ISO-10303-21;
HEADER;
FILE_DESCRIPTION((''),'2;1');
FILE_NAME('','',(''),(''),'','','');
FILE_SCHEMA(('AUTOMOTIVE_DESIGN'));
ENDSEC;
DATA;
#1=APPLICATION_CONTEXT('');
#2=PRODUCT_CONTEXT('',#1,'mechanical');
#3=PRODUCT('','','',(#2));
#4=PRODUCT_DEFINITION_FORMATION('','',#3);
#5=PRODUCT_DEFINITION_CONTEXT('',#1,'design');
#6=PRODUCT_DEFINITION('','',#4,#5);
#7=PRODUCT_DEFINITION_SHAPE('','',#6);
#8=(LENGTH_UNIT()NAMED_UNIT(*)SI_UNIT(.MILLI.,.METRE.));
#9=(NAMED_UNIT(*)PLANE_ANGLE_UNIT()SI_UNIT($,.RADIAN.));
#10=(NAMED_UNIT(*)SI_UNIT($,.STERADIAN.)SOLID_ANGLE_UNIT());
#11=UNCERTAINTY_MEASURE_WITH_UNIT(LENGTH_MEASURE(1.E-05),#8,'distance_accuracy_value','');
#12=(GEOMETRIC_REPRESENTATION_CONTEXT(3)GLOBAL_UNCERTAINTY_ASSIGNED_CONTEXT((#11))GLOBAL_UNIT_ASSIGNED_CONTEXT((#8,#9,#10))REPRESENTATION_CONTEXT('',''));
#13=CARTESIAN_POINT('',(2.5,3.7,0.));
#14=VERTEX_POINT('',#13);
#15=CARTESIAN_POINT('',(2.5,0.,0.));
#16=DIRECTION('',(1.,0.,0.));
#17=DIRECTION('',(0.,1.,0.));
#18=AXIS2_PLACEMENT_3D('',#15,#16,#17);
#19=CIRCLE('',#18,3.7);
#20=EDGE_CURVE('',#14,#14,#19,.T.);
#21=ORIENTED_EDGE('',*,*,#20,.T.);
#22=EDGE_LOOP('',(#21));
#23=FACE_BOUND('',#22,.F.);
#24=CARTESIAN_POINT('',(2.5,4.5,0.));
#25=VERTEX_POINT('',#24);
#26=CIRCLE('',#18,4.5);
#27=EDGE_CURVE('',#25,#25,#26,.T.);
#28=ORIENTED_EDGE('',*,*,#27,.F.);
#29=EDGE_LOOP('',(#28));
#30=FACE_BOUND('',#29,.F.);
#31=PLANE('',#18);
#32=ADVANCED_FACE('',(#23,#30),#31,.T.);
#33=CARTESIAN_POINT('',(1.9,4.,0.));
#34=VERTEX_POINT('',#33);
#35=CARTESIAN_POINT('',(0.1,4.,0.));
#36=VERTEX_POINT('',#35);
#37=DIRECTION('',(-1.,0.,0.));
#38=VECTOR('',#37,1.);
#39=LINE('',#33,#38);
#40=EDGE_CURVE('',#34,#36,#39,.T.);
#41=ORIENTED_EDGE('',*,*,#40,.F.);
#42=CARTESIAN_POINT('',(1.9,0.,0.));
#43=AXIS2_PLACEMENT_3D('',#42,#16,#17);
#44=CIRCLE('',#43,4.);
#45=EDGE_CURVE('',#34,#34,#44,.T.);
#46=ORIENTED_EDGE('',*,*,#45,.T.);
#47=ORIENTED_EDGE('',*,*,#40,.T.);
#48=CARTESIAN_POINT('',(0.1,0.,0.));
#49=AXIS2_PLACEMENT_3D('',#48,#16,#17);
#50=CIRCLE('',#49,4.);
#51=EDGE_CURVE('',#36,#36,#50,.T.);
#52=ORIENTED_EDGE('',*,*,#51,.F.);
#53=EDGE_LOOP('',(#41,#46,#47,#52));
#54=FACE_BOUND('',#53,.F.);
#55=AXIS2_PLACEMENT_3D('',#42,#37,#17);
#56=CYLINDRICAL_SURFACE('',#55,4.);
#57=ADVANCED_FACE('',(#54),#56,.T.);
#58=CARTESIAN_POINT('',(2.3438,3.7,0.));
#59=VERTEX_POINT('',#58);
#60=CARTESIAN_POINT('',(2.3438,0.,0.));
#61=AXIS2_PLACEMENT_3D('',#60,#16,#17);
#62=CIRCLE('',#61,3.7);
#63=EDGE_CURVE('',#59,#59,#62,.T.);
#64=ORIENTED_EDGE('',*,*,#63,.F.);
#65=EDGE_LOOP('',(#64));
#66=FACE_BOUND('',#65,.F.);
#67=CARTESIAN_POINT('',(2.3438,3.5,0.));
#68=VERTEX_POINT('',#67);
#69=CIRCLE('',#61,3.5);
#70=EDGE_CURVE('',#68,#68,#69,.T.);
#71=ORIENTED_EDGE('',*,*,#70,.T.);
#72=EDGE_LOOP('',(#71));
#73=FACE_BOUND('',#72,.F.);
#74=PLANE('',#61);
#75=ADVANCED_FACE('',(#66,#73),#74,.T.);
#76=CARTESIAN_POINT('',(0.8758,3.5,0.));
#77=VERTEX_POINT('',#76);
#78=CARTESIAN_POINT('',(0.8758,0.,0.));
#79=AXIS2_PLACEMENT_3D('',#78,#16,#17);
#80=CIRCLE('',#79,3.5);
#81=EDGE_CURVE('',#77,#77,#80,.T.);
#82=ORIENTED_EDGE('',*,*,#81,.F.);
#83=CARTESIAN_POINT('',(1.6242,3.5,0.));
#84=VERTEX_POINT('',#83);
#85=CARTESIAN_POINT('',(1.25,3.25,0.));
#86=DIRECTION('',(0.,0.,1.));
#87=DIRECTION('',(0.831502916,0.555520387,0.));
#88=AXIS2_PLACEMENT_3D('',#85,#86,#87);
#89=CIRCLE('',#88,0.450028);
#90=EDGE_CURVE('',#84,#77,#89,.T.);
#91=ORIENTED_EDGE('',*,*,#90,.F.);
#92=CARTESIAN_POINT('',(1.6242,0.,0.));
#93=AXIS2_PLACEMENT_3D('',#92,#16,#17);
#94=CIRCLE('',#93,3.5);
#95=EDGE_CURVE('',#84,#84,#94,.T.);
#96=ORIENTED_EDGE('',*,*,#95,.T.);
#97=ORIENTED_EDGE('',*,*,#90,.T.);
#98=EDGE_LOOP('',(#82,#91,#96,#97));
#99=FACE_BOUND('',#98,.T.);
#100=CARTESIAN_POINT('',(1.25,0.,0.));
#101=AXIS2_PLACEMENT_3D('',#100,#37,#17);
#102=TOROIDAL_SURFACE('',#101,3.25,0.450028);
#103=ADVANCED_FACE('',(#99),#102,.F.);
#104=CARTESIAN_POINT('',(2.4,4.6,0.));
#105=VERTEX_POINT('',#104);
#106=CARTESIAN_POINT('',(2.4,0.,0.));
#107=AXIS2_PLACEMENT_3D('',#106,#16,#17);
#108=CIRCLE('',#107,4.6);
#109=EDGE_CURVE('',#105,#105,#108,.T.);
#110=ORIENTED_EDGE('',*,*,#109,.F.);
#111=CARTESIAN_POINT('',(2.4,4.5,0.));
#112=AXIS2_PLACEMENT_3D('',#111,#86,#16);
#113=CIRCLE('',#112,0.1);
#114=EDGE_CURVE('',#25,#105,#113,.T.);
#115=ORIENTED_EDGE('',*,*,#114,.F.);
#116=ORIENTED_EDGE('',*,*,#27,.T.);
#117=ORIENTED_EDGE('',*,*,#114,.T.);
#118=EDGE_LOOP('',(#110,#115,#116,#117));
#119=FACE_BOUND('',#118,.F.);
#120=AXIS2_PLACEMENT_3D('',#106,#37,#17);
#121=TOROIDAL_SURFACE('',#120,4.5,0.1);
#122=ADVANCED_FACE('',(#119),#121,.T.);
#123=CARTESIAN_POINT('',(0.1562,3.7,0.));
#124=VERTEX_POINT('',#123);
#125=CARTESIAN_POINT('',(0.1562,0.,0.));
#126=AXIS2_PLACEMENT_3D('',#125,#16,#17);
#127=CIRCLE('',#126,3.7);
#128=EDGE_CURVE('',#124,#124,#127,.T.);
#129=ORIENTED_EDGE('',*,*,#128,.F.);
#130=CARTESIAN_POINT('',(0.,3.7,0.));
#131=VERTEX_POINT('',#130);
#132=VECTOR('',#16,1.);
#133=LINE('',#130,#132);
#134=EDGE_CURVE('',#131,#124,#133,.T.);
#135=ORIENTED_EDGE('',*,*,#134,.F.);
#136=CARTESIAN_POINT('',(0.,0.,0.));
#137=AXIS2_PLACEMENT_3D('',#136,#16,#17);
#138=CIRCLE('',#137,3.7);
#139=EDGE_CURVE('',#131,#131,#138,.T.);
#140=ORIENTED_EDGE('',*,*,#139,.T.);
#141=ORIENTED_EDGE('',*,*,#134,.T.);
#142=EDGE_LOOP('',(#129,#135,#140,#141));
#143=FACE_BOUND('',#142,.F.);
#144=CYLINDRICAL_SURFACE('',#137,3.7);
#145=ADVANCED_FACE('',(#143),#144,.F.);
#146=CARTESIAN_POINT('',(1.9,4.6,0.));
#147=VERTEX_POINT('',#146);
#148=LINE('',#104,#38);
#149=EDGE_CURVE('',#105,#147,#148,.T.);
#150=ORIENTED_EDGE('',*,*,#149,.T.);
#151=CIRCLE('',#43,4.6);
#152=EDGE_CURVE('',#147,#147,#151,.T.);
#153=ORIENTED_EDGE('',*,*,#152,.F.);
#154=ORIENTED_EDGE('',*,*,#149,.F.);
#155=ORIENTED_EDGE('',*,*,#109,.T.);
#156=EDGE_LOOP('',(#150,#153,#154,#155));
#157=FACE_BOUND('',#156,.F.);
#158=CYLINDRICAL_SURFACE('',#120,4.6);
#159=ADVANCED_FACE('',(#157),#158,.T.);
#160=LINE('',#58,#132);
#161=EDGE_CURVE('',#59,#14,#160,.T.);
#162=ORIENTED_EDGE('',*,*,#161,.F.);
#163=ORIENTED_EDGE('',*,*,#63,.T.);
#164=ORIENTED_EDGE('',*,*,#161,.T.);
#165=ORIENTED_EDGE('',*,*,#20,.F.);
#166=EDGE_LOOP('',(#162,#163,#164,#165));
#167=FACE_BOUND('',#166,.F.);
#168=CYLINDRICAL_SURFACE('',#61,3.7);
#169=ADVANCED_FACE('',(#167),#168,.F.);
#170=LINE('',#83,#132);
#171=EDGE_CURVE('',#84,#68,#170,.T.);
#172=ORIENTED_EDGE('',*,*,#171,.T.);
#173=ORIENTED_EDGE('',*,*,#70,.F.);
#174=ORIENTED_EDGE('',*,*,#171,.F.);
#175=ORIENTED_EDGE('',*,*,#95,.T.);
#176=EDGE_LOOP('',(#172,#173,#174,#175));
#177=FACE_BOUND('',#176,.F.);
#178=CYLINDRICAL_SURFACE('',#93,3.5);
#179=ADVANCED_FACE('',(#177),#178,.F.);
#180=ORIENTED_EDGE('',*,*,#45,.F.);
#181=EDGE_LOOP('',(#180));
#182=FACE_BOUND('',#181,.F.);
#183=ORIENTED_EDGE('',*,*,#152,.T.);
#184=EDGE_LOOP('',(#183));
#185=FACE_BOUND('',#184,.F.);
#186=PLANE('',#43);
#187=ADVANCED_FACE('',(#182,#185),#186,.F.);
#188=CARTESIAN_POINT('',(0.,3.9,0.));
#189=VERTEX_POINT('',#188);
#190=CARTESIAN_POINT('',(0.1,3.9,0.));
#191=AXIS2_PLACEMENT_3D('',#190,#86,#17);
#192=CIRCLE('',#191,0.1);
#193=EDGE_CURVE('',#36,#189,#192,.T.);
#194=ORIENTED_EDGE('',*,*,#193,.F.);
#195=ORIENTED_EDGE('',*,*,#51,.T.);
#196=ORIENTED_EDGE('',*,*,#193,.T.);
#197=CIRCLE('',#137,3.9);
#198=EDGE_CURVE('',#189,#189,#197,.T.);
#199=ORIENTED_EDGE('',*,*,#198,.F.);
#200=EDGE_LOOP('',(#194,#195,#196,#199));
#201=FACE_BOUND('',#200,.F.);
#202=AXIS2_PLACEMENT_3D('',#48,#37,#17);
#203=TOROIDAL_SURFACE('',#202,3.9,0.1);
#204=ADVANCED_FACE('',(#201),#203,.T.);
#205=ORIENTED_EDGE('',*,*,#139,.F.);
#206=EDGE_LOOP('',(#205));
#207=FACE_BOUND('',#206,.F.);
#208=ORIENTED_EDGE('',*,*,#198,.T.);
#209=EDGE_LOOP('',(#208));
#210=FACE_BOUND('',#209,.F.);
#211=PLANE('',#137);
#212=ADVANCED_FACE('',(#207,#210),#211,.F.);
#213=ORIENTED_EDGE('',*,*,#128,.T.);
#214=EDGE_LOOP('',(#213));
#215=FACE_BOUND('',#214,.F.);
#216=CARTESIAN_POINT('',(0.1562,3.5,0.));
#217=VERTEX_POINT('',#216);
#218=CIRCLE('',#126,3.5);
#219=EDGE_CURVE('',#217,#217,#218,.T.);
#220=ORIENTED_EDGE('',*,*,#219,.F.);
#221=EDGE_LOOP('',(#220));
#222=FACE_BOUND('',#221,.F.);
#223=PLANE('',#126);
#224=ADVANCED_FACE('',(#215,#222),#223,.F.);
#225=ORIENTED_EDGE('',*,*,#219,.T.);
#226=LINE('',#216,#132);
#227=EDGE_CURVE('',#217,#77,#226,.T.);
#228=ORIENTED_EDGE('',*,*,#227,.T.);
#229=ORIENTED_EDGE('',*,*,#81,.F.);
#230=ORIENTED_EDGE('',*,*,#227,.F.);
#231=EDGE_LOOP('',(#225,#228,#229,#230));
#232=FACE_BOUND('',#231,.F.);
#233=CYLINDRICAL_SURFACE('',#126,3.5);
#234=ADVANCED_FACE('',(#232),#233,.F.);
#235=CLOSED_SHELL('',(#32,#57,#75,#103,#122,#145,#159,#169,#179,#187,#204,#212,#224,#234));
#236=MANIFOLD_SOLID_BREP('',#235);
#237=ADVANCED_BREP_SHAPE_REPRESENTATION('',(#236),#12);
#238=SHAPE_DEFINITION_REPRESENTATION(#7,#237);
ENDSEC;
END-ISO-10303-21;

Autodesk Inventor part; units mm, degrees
sketch "Sketch_1" plane through (0, 0, 0) normal (0, 0, 1) x (1, 0, 0)
  line L0 (2.5, 0) -> (0, 0)
  line L1 (0, 3.7) -> (0.1562, 3.7)
  line L2 (0.1562, 3.7) -> (0.1562, 3.5)
  line L3 (0.1562, 3.5) -> (0.8758, 3.5)
  arc A0 (1.6242, 3.5) -> (0.8758, 3.5) centre (1.25, 3.25) ccw
  line L4 (1.6242, 3.5) -> (2.3438, 3.5)
  line L5 (2.3438, 3.5) -> (2.3438, 3.7)
  line L6 (2.3438, 3.7) -> (2.5, 3.7)
  line L7 (2.5, 3.7) -> (2.5, 4.5)
  arc A1 (2.5, 4.5) -> (2.4, 4.6) centre (2.4, 4.5) ccw
  line L8 (2.4, 4.6) -> (1.9, 4.6)
  line L9 (1.9, 4.6) -> (1.9, 4)
  line L10 (1.9, 4) -> (0.1, 4)
  arc A2 (0.1, 4) -> (0, 3.9) centre (0.1, 3.9) ccw
  line L11 (0, 3.9) -> (0, 3.7)
revolve "Revolution1" add sketch "Sketch_1" angle 360 about axis through (2.5, 0, 0) along (1, 0, 0)
ref_plane "ip_st_1_XY" through (0, 0, 0) normal (1, 0, 0) x (0, 0, -1)
ref_plane "ip_st_1_YZ" through (0, 0, 0) normal (0, 0, -1) x (0, 1, 0)
ref_plane "ip_st_1_ZX" through (0, 0, 0) normal (0, 1, 0) x (1, 0, 0)
ref_plane "ip_st_2_XY" through (2.3438, 0, 0) normal (-1, 0, 0) x (0, 0, -1)
ref_plane "ip_st_2_YZ" through (2.3438, 0, 0) normal (0, 0, -1) x (0, -1, 0)
ref_plane "ip_st_2_ZX" through (2.3438, 0, 0) normal (0, -1, 0) x (-1, 0, 0)
properties part number "MF85ZZ Outer Ring"
